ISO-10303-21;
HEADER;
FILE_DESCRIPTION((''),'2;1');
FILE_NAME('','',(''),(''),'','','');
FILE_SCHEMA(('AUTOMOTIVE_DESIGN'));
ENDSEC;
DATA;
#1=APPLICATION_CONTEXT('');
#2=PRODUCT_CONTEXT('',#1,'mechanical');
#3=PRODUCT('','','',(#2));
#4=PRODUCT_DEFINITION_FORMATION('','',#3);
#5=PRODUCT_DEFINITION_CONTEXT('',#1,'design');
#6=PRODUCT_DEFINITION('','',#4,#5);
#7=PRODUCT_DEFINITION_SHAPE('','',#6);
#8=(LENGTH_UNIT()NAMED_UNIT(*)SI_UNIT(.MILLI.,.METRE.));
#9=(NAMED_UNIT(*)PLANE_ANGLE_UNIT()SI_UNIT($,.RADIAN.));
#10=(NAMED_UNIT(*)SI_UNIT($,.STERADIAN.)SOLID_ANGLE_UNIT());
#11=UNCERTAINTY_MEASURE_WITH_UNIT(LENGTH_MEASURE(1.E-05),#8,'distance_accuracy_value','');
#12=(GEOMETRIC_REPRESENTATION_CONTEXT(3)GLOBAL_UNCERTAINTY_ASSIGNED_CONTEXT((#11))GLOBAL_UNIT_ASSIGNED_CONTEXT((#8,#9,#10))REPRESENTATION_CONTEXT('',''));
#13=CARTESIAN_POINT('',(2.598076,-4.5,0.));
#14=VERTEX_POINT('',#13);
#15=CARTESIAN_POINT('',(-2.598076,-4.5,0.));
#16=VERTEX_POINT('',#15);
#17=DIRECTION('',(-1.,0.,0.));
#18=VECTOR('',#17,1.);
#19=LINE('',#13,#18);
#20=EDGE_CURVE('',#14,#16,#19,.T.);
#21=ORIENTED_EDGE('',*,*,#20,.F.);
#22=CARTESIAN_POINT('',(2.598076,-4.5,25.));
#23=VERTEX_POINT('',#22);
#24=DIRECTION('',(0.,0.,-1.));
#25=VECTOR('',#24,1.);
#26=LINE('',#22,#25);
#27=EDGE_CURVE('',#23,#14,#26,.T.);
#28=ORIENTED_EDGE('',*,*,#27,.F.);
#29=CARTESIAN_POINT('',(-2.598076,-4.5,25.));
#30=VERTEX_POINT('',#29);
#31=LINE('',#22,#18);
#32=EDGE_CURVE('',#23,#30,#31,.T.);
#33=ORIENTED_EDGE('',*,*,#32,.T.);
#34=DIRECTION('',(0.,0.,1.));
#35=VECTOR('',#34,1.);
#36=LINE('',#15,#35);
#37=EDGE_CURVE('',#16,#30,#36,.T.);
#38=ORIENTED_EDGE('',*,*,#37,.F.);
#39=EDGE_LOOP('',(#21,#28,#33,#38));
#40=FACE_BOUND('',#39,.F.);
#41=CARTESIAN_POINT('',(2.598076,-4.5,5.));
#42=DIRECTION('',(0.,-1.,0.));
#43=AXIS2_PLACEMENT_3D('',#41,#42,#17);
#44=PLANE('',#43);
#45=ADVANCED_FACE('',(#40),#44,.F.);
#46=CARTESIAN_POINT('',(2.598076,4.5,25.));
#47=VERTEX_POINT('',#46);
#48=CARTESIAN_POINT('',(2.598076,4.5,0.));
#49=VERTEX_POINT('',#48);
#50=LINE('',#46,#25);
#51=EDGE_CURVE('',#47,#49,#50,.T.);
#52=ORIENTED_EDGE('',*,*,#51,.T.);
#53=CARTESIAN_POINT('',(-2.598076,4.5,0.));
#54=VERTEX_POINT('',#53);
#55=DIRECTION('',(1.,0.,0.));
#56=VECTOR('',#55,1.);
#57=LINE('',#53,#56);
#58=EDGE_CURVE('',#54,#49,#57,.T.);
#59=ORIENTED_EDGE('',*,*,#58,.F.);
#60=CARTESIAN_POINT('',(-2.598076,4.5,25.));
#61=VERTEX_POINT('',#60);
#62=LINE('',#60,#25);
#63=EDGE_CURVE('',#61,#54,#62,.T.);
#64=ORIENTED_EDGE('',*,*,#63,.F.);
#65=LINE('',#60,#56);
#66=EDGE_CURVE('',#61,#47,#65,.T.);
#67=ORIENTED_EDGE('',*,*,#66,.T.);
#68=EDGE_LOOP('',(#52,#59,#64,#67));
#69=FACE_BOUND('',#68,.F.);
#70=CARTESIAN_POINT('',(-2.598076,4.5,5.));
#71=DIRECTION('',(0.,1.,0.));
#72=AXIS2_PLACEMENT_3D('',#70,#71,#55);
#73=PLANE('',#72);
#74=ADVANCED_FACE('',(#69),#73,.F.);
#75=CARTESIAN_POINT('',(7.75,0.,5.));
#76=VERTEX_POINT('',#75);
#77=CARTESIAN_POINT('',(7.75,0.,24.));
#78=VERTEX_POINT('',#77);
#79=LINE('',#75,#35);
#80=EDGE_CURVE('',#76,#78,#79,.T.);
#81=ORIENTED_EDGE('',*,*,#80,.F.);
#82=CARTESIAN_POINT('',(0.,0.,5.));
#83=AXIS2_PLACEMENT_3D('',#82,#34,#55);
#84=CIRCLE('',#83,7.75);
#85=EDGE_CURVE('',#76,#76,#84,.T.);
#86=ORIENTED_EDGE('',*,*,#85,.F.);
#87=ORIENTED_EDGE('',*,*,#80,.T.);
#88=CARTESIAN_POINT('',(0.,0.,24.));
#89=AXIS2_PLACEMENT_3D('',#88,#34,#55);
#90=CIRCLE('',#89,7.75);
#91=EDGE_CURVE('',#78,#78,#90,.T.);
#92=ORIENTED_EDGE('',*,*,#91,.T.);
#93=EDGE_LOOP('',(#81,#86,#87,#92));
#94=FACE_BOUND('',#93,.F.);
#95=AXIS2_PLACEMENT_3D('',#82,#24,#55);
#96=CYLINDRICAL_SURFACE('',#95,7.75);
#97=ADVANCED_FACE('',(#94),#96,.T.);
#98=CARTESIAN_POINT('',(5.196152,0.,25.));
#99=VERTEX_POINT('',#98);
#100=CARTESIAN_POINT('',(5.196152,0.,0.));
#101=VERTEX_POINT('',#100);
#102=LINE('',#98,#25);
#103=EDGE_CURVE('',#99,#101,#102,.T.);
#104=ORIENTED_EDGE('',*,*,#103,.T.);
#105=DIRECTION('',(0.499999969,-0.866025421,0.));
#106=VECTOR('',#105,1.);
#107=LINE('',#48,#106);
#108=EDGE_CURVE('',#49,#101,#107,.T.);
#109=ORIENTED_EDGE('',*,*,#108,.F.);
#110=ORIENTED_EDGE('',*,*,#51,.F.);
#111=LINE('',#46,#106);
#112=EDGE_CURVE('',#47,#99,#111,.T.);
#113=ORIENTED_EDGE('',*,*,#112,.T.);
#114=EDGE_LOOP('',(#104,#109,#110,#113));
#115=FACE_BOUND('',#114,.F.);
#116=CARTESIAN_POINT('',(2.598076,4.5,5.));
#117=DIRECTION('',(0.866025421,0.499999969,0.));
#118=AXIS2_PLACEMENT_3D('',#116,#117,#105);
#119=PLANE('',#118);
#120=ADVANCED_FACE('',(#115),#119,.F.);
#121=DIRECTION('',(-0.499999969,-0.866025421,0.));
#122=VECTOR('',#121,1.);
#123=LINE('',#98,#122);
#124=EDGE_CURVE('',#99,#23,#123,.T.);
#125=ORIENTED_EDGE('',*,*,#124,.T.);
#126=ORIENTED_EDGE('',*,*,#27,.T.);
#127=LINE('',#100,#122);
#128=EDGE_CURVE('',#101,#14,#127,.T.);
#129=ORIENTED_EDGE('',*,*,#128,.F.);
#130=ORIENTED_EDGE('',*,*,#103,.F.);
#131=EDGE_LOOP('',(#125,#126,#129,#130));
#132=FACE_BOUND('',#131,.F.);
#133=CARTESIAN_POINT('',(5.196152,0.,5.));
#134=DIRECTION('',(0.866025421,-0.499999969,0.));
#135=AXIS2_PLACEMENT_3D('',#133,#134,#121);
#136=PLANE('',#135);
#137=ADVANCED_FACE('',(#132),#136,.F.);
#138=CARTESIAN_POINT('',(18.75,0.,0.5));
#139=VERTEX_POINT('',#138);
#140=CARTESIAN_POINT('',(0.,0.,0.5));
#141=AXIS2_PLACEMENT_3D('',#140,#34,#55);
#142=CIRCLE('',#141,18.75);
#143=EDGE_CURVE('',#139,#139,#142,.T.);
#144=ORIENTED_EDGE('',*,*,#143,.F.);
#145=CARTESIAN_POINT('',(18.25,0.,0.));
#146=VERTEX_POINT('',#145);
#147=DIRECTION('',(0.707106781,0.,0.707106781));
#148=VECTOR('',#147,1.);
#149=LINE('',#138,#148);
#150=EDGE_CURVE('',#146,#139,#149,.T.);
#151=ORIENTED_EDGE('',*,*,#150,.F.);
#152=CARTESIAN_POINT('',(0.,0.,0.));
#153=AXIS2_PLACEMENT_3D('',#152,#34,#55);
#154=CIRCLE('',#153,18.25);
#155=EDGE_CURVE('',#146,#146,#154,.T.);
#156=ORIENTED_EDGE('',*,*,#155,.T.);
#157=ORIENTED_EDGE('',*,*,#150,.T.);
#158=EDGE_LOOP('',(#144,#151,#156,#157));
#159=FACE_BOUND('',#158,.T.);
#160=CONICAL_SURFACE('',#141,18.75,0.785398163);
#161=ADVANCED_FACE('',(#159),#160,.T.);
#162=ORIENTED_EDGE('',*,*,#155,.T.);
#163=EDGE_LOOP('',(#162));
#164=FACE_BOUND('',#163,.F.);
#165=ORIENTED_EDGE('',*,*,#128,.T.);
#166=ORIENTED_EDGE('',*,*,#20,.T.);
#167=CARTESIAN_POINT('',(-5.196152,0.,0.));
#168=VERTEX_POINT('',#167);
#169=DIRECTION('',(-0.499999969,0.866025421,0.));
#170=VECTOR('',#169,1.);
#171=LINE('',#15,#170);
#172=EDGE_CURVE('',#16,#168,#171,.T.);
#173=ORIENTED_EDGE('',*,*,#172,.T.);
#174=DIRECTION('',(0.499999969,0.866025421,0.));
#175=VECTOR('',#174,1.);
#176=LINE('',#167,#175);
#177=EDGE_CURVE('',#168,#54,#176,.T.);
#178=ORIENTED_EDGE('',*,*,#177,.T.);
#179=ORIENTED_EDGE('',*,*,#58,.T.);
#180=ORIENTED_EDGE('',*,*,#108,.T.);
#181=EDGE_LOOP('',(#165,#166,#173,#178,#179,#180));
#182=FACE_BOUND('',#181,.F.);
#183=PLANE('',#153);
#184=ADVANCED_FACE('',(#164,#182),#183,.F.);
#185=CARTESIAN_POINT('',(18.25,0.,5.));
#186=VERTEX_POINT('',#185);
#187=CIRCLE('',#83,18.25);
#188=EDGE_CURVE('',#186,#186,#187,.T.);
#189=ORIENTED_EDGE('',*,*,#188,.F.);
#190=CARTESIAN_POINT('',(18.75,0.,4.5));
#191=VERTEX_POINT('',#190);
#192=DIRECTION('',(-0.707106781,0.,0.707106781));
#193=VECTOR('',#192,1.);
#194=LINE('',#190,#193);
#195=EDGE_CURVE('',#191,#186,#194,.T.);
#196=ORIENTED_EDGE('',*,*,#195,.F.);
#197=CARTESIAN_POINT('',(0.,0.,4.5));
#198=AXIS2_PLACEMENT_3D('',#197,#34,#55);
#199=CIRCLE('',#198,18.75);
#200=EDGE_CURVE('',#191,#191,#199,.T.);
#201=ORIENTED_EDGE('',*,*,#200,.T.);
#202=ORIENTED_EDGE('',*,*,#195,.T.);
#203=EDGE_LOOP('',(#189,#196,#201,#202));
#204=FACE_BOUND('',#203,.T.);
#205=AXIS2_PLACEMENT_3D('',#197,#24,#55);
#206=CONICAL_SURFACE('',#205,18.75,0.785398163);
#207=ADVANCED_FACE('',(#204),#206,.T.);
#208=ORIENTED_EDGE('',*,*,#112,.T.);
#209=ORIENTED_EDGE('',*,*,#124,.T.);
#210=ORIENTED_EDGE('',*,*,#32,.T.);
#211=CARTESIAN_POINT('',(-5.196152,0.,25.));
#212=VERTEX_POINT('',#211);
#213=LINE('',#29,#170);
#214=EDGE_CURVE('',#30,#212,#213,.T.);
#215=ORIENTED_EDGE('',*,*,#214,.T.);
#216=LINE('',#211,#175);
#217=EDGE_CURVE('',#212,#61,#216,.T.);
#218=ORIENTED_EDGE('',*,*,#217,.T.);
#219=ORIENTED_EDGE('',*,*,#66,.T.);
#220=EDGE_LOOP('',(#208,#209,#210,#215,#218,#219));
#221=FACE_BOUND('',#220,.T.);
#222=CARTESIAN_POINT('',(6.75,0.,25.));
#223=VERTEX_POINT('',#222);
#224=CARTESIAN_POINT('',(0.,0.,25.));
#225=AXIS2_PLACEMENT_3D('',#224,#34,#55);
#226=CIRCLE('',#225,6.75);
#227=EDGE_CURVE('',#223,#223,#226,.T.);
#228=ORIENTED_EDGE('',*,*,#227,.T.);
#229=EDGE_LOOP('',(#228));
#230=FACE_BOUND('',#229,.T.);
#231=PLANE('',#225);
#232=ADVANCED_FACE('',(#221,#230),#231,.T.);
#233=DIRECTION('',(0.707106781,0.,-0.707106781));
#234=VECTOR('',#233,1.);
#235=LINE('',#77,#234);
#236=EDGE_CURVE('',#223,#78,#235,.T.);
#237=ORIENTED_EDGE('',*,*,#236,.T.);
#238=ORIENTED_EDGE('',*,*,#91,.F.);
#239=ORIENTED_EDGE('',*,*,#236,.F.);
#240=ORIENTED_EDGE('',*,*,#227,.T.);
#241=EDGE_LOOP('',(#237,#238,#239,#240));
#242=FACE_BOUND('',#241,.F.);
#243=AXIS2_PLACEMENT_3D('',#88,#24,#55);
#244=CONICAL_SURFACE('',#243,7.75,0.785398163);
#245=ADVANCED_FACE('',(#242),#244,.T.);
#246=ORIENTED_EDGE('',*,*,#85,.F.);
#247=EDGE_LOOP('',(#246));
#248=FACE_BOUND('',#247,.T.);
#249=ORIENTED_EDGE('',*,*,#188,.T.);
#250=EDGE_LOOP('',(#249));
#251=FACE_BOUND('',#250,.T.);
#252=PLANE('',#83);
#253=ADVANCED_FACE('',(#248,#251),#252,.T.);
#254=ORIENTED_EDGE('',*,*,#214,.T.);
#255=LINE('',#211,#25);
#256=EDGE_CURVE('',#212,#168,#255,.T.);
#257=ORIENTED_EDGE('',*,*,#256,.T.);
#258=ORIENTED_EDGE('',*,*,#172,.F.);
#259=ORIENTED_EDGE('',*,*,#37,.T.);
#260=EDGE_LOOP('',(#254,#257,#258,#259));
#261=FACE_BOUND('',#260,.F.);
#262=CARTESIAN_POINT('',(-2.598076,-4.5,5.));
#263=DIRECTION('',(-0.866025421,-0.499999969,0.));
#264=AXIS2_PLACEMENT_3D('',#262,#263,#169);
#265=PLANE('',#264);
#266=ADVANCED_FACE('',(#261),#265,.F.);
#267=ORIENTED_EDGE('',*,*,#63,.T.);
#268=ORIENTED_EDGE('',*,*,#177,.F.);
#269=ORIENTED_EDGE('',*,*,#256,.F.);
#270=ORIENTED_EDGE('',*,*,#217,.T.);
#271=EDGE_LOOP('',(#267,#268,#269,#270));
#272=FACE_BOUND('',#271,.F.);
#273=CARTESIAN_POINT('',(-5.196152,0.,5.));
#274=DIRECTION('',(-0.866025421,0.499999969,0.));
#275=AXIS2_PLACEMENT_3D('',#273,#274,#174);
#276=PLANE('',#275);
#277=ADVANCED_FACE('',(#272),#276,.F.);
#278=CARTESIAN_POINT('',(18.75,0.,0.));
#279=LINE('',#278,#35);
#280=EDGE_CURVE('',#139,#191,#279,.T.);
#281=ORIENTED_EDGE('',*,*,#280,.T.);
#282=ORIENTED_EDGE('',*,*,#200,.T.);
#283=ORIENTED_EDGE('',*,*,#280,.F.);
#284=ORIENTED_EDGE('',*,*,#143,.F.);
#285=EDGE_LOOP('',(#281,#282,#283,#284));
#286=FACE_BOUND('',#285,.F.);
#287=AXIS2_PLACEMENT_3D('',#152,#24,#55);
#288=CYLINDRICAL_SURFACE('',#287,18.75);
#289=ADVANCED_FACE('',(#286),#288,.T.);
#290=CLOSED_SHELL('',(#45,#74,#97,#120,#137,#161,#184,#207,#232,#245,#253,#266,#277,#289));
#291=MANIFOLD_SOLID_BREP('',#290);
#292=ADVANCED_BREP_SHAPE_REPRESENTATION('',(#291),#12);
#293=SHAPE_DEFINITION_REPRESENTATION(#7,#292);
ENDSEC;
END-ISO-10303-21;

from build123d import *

# Parameters (mm, degrees)
F0_R     = 18.75
F1_DEPTH = 5
F2_R     = 7.75
F3_DEPTH = 20
F4_SIZE  = 0.5
F5_SIZE  = 1


with BuildPart() as f1:
    # F0 (on Top) → F1 (new body)
    with BuildSketch(Plane.XY):
        Circle(F0_R)
        Polygon((2.598076, 4.5), (5.196152, 0), (2.598076, -4.5), (-2.598076, -4.5), (-5.196152, 0), (-2.598076, 4.5), align=None, mode=Mode.SUBTRACT)
    extrude(amount=F1_DEPTH)

    # F2 (on face) → F3 (join)
    with BuildSketch(Plane.XY.offset(5)):
        Circle(F2_R)
        Polygon((-2.598076, -4.5), (-5.196152, 0), (-2.598076, 4.5), (2.598076, 4.5), (5.196152, 0), (2.598076, -4.5), align=None, mode=Mode.SUBTRACT)
    extrude(amount=F3_DEPTH)

    # F4
    f4_edges = [f1.edges().sort_by_distance(p)[0] for p in [
        (-18.75, 0, 0),
        (-18.75, 0, 5),
    ]]
    chamfer(f4_edges, length=F4_SIZE)

    # F5
    f5_edges = [f1.edges().sort_by_distance(p)[0] for p in [
        (-7.75, 0, 25),
    ]]
    chamfer(f5_edges, length=F5_SIZE)


solid = f1.part
